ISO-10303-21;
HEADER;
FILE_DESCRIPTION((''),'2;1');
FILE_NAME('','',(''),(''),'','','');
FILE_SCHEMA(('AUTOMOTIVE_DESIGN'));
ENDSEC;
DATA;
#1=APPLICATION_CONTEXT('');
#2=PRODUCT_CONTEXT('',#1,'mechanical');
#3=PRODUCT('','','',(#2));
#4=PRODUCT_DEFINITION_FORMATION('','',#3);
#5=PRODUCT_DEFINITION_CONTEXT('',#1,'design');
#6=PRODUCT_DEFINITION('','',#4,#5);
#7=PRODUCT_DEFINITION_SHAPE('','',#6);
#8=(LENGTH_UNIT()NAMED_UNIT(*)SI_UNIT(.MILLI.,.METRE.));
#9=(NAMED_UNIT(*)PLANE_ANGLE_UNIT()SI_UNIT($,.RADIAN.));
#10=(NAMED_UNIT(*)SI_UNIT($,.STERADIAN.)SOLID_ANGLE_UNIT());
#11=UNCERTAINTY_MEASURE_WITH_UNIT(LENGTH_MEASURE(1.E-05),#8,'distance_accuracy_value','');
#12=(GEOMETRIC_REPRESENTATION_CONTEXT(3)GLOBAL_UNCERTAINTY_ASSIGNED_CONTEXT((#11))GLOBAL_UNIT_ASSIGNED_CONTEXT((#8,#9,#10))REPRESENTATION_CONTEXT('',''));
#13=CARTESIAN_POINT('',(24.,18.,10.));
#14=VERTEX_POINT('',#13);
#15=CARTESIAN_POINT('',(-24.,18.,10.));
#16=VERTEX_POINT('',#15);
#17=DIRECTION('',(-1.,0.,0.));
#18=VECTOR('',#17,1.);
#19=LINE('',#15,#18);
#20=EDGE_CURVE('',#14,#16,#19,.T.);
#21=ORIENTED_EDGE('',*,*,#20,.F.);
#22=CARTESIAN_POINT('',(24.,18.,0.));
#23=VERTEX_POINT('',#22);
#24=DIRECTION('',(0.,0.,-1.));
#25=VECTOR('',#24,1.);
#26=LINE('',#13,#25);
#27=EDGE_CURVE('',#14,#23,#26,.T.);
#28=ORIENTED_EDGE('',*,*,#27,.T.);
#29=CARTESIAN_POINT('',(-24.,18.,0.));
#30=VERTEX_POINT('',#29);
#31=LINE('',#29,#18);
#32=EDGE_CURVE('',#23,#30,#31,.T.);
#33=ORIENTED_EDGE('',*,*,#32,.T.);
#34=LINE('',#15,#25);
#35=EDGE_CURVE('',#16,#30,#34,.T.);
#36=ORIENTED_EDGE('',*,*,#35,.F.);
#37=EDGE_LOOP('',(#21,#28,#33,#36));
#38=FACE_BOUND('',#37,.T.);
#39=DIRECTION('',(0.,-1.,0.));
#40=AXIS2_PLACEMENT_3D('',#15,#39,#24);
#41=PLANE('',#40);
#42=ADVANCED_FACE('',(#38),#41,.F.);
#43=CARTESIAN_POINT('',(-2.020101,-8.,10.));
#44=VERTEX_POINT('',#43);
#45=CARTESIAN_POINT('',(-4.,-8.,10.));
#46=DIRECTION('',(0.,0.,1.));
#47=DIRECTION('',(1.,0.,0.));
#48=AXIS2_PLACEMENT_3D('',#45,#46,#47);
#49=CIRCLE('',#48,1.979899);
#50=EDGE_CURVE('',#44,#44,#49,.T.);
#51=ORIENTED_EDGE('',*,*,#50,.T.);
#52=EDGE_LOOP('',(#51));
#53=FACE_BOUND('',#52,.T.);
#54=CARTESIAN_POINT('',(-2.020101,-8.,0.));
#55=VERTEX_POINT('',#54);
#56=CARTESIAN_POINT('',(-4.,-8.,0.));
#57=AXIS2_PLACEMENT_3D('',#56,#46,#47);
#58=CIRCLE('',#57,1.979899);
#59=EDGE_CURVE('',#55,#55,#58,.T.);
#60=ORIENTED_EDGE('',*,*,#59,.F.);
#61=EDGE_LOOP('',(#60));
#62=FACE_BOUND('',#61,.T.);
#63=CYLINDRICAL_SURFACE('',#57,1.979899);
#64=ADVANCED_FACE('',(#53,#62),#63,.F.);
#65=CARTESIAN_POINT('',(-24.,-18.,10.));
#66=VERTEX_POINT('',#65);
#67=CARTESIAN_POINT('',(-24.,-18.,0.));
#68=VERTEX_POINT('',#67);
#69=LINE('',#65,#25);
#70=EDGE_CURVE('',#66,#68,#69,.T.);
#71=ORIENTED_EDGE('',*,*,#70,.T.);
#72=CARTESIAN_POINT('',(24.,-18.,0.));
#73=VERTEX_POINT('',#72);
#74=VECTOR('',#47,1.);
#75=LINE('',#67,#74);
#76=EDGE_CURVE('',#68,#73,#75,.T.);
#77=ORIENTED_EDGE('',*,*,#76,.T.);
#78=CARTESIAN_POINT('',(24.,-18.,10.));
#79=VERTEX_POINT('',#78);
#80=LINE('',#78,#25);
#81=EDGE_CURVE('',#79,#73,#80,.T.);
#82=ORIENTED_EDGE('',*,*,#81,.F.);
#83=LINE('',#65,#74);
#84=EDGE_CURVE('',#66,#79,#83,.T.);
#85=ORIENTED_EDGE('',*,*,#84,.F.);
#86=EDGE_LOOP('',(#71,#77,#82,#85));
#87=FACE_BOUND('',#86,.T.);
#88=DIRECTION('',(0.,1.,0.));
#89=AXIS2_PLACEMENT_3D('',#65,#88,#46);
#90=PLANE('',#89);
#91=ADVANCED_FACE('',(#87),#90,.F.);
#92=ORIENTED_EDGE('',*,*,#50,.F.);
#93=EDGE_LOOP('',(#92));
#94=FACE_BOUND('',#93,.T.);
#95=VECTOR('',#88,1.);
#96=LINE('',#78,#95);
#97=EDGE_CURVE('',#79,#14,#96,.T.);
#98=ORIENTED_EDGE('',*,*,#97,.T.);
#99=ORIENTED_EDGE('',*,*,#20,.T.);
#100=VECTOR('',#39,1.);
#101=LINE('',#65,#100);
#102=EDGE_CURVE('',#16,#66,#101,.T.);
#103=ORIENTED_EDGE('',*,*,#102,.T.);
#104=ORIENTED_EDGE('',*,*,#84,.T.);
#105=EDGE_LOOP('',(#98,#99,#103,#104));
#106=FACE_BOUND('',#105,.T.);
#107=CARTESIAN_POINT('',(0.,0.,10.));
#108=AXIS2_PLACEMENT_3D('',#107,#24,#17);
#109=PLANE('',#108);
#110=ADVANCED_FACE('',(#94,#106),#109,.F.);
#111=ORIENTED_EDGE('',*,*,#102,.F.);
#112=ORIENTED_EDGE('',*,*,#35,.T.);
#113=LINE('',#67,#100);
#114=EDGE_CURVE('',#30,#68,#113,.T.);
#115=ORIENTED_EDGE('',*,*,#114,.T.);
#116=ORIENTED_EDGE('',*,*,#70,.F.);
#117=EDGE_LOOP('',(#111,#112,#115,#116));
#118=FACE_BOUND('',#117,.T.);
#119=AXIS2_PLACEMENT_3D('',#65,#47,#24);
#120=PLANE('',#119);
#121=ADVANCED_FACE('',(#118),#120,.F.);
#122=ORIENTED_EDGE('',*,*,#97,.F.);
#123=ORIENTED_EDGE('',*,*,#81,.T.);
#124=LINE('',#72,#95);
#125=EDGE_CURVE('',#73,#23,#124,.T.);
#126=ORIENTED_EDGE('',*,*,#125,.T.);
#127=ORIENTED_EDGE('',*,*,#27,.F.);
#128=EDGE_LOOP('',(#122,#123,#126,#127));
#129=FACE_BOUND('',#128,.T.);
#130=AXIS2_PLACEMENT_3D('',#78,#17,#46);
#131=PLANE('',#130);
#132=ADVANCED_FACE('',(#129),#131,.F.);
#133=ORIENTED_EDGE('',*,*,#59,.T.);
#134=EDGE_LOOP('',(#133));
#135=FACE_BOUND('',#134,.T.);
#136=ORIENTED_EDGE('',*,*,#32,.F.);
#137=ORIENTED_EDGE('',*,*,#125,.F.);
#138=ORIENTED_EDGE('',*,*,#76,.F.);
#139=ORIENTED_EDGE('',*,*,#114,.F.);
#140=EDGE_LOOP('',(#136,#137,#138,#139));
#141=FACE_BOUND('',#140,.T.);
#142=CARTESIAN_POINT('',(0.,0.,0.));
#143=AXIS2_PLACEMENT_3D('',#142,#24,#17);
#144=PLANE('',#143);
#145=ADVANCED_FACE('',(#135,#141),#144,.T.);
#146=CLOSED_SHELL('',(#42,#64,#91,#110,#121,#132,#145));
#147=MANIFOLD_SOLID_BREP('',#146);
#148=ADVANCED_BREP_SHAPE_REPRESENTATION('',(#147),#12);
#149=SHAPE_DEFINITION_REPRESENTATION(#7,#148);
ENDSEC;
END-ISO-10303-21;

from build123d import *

# Parameters (mm, degrees)
IZIM1_W                     = 48
IZIM1_H                     = 36
IZIM1_W_2                   = 2.8
IZIM1_H_2                   = 2.8
Y_KSEKLIK_EKSTR_ZYON1_DEPTH = 10
IZIM2_R                     = 1.979898987
KES_EKSTR_ZYON2_DEPTH       = 10


with BuildPart() as part:
    # Çizim1 → Yükseklik-Ekstrüzyon1 (new body)
    with BuildSketch(Plane.XY):
        Rectangle(IZIM1_W, IZIM1_H)
        with Locations((-4, -8)):
            Rectangle(IZIM1_W_2, IZIM1_H_2, mode=Mode.SUBTRACT)
    extrude(amount=Y_KSEKLIK_EKSTR_ZYON1_DEPTH)

    # Çizim2 → Kes-Ekstrüzyon2 (cut)
    with BuildSketch(Plane.XY.offset(10)):
        with Locations((-4, -8)):
            Circle(IZIM2_R)
    extrude(amount=-KES_EKSTR_ZYON2_DEPTH, mode=Mode.SUBTRACT)


solid = part.part
